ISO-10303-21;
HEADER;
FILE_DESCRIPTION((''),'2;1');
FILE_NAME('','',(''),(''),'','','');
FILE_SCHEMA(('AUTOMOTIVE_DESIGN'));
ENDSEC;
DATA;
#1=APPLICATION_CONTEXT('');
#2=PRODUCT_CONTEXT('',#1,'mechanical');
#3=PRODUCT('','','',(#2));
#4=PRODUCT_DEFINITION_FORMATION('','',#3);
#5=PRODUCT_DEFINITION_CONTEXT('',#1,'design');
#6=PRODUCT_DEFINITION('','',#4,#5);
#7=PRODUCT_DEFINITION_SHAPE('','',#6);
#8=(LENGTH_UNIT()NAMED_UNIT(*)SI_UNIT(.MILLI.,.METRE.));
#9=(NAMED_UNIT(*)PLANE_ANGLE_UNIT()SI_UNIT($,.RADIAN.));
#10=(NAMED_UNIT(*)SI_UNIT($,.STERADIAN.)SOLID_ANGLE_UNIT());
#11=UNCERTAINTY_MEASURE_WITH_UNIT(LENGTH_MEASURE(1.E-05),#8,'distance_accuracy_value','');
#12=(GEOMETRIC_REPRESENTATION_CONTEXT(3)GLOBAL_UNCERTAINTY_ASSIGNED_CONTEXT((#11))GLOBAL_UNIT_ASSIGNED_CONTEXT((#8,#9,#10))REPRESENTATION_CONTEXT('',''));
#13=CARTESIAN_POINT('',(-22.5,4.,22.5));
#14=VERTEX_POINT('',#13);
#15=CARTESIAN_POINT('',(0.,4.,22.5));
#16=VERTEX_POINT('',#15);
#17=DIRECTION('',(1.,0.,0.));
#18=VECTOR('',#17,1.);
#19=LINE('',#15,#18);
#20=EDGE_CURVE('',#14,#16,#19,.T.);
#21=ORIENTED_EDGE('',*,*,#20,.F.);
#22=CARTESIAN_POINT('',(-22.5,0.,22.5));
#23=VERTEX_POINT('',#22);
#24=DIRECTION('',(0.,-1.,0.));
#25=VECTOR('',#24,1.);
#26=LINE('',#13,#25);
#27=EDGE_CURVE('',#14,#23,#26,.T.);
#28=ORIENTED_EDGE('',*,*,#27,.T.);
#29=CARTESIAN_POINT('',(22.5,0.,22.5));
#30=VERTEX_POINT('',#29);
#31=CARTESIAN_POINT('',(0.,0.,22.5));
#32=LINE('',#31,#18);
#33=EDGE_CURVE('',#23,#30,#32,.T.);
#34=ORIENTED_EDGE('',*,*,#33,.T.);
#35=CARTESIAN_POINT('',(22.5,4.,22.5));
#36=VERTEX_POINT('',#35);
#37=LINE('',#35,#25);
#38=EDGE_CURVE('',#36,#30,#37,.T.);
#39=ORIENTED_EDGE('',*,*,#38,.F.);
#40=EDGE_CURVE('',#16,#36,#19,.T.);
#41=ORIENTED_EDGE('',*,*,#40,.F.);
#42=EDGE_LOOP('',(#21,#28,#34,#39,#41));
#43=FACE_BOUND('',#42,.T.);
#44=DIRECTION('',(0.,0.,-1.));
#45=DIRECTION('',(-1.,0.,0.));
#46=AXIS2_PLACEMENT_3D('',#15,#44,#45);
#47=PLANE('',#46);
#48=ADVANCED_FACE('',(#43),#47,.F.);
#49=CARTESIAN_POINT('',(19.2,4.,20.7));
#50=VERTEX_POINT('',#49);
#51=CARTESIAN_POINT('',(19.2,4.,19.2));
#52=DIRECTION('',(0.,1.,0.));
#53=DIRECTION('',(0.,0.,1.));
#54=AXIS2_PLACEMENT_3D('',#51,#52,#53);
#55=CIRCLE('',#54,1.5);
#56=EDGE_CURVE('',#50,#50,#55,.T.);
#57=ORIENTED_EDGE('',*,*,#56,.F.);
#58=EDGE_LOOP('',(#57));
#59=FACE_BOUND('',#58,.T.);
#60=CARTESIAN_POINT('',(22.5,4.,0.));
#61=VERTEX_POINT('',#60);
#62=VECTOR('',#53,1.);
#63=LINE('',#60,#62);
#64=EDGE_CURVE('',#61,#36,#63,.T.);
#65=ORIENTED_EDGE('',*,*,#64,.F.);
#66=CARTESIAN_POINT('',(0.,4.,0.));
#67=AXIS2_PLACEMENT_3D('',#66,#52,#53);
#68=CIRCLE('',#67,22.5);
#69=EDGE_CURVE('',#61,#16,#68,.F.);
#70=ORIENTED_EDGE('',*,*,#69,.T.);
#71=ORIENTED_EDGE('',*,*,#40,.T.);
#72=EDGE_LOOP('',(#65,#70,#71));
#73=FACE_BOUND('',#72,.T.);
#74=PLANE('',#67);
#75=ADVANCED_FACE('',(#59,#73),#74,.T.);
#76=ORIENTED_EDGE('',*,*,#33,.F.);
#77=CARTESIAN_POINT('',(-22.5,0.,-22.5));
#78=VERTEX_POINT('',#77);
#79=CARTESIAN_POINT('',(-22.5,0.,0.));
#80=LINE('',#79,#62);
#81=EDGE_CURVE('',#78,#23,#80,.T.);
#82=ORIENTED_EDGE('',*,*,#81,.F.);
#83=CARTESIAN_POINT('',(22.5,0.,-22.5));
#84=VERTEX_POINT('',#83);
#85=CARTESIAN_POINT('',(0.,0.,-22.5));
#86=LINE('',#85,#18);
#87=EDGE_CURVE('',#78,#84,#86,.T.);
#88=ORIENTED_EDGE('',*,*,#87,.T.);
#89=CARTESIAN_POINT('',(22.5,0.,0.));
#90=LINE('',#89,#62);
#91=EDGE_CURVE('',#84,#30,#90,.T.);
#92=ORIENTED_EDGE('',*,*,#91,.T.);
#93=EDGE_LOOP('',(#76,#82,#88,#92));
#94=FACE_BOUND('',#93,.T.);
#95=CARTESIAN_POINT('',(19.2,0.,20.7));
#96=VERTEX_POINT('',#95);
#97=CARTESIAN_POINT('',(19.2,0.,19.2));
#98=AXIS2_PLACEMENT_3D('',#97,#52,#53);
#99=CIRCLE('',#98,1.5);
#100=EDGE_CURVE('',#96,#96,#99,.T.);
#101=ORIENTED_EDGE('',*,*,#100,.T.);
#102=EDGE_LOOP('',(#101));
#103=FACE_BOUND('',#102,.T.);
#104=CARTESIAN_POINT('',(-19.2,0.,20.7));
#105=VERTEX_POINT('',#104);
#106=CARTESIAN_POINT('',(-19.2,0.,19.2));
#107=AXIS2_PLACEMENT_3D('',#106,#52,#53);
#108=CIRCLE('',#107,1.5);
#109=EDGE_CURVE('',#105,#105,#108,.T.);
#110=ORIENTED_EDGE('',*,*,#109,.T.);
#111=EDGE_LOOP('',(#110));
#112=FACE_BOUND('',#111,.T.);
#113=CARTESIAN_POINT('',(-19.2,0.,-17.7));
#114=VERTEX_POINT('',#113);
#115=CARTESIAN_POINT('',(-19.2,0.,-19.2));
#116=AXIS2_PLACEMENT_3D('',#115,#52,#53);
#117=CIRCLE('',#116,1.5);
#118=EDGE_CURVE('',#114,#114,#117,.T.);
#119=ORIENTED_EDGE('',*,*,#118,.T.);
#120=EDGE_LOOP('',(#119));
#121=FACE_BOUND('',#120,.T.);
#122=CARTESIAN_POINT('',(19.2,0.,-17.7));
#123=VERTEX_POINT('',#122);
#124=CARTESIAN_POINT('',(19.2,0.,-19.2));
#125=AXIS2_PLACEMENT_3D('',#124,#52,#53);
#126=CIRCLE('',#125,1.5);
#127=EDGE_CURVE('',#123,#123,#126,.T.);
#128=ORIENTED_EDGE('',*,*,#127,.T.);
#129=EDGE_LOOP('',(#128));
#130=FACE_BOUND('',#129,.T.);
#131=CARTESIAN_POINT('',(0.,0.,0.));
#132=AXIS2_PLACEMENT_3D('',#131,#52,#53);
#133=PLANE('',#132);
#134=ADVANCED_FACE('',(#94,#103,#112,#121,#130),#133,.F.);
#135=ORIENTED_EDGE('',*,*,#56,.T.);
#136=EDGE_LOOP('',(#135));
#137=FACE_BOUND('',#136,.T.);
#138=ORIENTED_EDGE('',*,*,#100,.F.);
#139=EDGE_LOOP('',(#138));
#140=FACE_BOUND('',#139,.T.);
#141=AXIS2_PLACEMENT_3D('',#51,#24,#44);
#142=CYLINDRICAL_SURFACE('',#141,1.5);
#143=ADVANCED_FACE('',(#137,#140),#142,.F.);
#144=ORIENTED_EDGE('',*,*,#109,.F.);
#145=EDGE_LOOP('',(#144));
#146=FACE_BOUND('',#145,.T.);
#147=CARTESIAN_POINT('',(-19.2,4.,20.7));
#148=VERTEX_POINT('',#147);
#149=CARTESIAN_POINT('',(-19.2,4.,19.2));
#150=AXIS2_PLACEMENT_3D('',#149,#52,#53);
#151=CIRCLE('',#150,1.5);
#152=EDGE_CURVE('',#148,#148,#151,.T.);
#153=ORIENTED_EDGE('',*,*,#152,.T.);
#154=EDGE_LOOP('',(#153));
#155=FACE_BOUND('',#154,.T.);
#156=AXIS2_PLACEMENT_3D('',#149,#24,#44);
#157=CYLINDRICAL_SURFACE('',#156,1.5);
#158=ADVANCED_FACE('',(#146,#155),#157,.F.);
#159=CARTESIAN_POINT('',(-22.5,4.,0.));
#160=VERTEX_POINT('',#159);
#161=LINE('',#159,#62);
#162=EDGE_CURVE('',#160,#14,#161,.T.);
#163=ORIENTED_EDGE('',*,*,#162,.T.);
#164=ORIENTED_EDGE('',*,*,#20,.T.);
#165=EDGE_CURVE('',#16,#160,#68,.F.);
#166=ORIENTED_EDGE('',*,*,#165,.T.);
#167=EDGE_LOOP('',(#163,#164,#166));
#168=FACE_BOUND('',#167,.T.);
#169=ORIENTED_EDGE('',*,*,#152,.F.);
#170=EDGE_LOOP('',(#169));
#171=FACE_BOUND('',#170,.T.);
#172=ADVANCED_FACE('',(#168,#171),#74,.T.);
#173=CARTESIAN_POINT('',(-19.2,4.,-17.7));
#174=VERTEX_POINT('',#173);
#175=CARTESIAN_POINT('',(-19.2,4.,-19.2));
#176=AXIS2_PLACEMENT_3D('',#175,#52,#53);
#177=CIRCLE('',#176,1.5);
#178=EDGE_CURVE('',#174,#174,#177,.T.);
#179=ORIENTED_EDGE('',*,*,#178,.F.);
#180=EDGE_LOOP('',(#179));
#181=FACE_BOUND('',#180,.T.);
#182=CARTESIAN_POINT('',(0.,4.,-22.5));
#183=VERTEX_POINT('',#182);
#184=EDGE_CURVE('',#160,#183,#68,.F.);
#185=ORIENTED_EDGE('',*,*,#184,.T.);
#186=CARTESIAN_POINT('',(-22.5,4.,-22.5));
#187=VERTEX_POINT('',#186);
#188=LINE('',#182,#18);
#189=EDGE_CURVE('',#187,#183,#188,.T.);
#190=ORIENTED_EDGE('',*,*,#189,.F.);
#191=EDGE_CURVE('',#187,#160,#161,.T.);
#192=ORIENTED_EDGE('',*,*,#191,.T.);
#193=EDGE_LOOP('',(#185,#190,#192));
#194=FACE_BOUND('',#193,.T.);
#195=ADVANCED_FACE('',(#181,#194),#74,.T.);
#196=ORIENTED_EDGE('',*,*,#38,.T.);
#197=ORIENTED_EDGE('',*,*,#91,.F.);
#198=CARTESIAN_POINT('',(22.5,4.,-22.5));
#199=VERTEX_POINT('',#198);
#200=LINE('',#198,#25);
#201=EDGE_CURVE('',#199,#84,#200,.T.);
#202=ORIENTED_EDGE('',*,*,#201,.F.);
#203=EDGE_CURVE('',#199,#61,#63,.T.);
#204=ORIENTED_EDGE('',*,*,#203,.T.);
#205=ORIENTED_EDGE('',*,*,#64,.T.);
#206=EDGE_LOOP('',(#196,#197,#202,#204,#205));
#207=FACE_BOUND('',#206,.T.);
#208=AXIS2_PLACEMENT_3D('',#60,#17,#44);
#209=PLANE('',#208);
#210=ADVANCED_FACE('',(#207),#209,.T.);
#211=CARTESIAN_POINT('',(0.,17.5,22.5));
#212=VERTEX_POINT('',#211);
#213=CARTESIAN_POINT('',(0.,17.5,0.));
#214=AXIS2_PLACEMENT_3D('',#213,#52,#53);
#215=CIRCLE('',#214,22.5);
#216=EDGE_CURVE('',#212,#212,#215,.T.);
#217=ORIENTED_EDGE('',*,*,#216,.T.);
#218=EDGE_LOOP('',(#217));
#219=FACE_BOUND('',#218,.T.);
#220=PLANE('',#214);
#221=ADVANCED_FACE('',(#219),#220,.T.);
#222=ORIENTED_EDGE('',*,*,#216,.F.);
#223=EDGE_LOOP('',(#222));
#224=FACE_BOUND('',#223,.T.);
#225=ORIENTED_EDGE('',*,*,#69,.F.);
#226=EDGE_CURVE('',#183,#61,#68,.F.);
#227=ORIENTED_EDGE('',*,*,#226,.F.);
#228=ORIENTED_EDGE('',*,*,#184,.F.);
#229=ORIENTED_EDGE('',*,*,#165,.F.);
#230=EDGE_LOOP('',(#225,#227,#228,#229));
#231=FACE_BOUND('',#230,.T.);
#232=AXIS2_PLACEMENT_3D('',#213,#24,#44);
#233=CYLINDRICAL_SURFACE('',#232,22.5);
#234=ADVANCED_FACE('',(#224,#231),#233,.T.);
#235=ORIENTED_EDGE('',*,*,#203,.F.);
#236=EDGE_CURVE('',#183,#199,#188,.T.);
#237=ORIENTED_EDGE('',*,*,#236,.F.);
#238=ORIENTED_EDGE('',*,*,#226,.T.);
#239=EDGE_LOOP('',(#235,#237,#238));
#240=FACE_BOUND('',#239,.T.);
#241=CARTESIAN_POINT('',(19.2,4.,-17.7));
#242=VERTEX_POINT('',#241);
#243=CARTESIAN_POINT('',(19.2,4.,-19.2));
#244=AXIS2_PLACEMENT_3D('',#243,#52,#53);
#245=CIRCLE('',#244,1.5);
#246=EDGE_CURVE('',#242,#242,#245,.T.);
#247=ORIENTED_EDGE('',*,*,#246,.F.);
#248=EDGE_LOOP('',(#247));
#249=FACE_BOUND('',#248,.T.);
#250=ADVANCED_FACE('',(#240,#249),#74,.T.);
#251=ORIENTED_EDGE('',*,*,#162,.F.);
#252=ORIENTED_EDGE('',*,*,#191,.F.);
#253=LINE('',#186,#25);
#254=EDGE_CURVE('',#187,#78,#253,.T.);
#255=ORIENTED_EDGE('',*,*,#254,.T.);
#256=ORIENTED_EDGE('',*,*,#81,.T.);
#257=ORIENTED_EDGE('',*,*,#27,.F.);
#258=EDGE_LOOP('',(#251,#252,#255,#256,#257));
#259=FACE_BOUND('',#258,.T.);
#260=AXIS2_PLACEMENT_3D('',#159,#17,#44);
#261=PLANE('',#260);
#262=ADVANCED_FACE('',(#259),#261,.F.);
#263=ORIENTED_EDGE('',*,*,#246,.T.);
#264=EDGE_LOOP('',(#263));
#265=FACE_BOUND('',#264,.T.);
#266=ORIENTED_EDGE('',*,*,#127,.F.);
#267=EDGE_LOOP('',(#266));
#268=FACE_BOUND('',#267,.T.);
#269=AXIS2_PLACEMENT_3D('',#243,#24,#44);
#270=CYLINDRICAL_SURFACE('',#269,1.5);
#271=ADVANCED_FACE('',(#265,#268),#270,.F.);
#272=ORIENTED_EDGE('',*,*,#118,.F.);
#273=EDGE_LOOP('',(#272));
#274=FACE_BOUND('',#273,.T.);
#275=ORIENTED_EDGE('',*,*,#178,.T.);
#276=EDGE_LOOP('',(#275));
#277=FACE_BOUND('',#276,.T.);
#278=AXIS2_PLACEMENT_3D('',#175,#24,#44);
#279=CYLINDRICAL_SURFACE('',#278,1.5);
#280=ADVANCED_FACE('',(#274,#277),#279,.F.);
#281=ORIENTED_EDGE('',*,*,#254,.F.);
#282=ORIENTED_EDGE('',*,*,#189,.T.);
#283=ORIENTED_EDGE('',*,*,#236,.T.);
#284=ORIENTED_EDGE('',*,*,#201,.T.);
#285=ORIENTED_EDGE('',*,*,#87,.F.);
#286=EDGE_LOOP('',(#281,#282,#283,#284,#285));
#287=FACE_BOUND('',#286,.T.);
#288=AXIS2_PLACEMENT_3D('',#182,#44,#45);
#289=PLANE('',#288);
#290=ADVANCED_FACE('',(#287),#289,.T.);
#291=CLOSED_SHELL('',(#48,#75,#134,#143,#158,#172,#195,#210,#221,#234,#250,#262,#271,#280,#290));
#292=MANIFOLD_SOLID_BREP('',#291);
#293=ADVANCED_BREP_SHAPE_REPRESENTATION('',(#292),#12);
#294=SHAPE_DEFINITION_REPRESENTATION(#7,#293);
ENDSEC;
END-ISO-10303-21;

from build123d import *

# Parameters (mm, degrees)
SKETCH_1_W      = 45
SKETCH_1_H      = 45
SKETCH_1_R      = 1.5
EXTRUDE_1_DEPTH = 4
EXTRUDE_2_DEPTH = 17.5


with BuildPart() as part:
    # 草图1 → 凸台-拉伸1 (new body)
    with BuildSketch(Plane(origin=(0, 0, 0), x_dir=(1, 0, 0), z_dir=(0, 1, 0))):
        Rectangle(SKETCH_1_W, SKETCH_1_H)
        with Locations((-19.2, 19.2)):
            Circle(SKETCH_1_R, mode=Mode.SUBTRACT)
        with Locations((19.2, 19.2)):
            Circle(SKETCH_1_R, mode=Mode.SUBTRACT)
        with Locations((19.2, -19.2)):
            Circle(SKETCH_1_R, mode=Mode.SUBTRACT)
        with Locations((-19.2, -19.2)):
            Circle(SKETCH_1_R, mode=Mode.SUBTRACT)
    extrude(amount=EXTRUDE_1_DEPTH)

    # 草图1<3> → 凸台-拉伸2 (add)
    with BuildSketch(Plane(origin=(0, 0, 0), x_dir=(1, 0, 0), z_dir=(0, 1, 0))):
        with BuildLine():
            ThreePointArc((22.5, 0), (15.909902585, 15.909902568), (2.5e-08, 22.5))
            ThreePointArc((2.5e-08, 22.5), (-15.909902559, 15.909902594), (-22.5, 2.4e-08))
            ThreePointArc((-22.5, 2.4e-08), (-15.909902568, -15.909902586), (5e-08, -22.5))
            ThreePointArc((5e-08, -22.5), (15.909902594, -15.909902559), (22.5, 0))
        make_face()
    extrude(amount=EXTRUDE_2_DEPTH)


solid = part.part
